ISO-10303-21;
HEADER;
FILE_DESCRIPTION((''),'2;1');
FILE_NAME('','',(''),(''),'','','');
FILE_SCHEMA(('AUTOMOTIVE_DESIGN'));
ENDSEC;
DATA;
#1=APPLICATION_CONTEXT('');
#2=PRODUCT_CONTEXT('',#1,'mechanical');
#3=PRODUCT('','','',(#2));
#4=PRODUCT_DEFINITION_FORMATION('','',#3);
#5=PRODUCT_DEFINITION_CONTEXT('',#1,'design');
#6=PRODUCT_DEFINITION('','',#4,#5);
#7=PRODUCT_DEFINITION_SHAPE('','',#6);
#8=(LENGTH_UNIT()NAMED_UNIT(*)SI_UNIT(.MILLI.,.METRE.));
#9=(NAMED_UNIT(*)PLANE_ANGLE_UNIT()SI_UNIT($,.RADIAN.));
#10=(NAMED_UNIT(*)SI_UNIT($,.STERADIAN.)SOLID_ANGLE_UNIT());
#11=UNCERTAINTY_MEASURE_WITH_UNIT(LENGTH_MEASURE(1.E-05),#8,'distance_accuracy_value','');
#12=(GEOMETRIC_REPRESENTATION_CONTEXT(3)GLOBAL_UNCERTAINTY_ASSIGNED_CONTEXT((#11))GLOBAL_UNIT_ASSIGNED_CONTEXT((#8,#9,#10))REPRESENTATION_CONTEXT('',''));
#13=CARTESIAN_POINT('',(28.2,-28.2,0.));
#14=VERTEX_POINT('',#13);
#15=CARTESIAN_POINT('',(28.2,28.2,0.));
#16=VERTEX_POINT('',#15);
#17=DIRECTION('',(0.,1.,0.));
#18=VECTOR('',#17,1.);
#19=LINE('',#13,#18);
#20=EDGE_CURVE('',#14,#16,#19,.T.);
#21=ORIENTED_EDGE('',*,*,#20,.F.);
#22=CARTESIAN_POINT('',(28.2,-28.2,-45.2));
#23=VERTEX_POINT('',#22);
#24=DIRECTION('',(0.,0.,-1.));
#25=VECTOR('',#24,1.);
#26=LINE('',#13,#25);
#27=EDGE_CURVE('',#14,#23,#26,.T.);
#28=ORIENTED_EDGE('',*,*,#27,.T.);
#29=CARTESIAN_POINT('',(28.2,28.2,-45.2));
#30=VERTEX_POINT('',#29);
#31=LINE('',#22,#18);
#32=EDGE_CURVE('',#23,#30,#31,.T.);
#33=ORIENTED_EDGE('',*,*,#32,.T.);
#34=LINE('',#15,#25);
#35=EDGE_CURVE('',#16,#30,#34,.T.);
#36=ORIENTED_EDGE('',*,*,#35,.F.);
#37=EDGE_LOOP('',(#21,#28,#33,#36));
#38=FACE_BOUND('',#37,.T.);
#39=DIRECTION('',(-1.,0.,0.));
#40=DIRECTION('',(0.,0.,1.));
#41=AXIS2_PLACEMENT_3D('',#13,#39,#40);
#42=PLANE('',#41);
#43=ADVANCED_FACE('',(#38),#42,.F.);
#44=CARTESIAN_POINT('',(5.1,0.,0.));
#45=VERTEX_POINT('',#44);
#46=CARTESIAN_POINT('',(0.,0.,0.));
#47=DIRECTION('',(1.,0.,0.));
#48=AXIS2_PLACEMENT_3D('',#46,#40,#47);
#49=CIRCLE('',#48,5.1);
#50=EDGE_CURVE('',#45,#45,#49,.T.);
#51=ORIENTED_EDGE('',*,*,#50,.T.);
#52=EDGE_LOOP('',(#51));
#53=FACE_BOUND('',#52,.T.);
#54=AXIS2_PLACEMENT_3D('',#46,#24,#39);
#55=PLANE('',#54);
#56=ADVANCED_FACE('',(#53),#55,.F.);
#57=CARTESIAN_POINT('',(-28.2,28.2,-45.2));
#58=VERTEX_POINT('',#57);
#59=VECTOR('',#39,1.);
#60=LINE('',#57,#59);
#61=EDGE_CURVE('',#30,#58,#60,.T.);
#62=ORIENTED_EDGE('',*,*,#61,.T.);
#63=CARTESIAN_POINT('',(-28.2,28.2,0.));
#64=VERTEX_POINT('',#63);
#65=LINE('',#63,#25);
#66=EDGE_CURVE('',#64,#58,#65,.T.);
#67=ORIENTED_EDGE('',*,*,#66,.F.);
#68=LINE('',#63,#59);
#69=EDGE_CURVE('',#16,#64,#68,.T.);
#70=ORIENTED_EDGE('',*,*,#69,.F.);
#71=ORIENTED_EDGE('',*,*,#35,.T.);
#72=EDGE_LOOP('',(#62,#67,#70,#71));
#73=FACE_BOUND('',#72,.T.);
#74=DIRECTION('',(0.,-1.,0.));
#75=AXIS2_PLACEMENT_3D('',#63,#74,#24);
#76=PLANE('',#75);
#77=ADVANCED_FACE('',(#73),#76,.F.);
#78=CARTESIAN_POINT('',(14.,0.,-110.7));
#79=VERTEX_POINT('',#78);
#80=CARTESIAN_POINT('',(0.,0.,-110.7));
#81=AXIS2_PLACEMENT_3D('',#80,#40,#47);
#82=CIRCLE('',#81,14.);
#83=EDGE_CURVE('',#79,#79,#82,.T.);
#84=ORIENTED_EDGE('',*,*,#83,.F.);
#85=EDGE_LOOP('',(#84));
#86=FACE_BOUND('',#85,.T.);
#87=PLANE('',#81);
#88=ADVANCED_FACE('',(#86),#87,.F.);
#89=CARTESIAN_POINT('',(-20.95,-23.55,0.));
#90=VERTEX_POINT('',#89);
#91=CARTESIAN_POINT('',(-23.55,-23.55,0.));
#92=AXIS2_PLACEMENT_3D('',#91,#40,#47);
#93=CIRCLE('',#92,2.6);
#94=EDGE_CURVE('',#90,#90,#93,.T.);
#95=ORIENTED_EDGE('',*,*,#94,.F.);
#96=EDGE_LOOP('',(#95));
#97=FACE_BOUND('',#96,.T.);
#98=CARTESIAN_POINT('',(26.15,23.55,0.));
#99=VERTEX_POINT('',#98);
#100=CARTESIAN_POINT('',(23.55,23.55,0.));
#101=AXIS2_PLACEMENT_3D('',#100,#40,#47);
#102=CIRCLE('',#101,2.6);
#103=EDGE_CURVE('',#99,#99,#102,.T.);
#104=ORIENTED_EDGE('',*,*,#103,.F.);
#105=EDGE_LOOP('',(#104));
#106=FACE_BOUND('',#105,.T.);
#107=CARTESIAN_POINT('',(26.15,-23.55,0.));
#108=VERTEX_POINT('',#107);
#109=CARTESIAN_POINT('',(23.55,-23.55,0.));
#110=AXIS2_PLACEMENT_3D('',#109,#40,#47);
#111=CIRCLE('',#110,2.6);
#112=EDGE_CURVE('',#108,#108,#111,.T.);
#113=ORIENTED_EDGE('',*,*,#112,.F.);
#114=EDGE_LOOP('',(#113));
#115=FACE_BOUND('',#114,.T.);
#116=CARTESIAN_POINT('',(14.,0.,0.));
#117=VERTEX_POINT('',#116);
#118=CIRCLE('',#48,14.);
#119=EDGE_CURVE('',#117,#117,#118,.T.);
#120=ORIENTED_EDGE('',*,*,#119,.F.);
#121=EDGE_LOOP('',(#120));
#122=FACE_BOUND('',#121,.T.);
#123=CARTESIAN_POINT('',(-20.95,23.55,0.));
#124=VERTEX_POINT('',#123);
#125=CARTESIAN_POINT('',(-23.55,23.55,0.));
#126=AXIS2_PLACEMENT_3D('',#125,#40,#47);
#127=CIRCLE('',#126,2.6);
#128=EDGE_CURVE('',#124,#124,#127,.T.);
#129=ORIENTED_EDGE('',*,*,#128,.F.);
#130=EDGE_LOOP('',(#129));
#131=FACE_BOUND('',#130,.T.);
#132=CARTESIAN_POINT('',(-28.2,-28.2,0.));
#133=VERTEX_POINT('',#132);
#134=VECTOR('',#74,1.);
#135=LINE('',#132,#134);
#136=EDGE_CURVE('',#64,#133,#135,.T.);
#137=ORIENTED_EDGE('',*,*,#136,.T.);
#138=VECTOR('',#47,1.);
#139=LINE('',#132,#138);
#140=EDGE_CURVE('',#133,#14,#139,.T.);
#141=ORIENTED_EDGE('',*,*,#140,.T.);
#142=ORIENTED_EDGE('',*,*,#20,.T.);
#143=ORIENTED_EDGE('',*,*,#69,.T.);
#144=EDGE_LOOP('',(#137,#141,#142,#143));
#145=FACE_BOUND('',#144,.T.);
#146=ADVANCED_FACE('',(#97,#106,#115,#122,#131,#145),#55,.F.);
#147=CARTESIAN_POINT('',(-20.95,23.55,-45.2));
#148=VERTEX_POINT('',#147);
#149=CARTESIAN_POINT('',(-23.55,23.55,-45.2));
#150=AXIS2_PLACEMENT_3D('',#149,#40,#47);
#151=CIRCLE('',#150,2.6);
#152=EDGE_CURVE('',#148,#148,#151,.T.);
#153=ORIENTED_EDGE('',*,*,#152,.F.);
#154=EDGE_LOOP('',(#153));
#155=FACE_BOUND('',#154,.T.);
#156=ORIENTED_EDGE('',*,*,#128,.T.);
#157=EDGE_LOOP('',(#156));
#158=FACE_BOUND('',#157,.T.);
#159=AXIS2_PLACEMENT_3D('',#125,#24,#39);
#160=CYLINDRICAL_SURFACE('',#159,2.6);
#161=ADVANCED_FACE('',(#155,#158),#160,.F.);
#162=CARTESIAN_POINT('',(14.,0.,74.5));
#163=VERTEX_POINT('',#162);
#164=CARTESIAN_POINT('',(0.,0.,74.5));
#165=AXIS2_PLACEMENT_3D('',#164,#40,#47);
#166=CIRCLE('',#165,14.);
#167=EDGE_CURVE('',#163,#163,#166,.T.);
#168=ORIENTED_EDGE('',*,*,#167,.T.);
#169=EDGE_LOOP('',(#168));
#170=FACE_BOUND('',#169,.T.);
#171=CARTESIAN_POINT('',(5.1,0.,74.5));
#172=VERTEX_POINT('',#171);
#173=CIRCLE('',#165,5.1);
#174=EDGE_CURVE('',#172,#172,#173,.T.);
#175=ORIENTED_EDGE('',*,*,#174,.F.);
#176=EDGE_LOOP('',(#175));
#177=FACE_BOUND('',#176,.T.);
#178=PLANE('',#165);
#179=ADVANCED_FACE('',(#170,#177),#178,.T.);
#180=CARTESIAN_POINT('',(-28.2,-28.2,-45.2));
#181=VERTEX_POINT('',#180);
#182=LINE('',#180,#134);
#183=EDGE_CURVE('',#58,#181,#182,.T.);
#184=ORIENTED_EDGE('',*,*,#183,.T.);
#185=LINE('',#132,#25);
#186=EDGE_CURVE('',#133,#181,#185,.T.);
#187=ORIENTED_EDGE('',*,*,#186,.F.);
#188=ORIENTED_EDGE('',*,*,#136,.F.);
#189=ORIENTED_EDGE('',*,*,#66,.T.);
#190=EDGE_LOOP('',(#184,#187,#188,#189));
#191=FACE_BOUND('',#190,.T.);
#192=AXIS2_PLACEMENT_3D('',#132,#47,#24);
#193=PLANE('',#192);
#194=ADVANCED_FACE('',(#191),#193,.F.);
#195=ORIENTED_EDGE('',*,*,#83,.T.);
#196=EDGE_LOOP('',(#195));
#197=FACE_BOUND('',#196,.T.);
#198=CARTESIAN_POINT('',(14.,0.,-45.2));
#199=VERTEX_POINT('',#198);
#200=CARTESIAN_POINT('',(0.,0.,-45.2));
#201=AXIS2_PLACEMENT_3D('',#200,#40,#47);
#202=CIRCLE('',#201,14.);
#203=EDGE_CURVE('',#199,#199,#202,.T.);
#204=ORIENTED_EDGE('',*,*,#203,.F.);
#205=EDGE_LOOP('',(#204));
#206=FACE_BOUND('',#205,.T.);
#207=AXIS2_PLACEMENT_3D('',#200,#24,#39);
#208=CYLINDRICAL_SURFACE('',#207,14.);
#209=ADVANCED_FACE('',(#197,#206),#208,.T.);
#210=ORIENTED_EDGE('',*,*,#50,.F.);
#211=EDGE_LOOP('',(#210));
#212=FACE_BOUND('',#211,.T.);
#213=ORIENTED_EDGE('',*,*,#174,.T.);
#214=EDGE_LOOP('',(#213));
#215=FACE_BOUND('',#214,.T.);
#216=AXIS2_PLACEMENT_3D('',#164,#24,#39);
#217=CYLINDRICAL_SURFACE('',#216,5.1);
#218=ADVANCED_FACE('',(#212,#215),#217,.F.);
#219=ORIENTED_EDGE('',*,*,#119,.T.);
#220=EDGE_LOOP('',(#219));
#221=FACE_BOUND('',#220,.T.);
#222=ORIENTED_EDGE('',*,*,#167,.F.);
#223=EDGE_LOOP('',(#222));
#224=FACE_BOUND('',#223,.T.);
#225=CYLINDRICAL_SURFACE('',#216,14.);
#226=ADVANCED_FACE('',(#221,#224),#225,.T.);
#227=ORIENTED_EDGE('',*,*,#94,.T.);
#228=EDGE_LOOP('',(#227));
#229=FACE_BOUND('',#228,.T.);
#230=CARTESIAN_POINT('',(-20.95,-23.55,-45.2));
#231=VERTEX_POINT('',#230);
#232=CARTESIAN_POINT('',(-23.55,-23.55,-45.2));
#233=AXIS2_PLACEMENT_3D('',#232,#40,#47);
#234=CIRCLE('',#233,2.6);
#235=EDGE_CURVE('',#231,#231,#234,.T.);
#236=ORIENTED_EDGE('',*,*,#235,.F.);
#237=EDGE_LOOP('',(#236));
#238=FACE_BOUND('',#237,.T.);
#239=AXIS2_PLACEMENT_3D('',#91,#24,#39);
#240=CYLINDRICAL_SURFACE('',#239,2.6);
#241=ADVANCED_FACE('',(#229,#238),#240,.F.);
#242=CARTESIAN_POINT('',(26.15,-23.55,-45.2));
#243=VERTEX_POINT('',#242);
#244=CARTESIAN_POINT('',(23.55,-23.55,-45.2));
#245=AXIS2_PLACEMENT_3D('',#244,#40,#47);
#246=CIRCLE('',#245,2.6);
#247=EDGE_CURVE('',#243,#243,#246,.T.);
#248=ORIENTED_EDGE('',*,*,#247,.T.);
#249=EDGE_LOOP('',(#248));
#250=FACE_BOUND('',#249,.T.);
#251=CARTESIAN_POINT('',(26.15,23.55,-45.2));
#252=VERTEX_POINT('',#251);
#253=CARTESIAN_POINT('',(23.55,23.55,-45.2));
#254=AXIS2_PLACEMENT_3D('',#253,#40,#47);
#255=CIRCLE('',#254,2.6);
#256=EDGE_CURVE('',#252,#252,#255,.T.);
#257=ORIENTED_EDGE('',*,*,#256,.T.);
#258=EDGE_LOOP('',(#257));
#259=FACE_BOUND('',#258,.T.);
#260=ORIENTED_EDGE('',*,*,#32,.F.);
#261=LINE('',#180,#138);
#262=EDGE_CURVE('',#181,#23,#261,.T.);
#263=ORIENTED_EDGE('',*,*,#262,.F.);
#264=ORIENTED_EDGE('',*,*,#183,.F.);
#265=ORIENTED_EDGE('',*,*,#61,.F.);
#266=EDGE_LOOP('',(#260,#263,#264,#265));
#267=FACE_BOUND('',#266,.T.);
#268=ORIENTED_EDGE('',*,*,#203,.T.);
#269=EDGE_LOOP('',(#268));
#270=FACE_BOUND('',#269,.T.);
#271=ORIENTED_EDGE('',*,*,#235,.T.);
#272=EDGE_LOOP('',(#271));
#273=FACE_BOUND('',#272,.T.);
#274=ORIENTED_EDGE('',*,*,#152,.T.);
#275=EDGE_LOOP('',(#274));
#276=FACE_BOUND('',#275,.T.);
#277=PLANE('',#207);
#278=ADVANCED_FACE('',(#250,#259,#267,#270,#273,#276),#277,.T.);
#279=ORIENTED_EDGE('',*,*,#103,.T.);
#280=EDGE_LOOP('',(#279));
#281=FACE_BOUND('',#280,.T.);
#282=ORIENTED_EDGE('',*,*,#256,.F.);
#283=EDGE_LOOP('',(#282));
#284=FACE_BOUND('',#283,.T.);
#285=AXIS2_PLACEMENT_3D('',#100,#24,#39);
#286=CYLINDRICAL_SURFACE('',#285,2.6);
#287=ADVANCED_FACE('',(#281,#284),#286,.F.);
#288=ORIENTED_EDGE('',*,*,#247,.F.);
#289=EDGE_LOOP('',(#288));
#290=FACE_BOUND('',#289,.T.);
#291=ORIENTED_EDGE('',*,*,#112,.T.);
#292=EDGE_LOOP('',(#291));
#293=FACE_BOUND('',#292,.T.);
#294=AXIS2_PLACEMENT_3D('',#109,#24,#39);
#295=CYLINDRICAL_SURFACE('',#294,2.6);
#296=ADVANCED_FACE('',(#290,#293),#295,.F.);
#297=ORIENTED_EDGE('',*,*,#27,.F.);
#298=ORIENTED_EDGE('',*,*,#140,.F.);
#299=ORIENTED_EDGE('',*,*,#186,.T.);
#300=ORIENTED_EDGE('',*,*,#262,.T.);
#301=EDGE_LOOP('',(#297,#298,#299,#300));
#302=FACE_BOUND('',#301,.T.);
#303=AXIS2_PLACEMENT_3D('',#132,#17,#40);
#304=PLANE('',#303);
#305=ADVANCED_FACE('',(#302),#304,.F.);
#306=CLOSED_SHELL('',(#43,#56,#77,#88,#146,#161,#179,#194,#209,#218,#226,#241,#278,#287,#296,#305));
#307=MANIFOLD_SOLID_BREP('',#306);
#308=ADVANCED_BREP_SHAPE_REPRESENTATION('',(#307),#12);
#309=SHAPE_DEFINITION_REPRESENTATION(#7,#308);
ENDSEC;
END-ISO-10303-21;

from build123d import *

# Parameters (mm, degrees)
NA23_MOTOR_ENVELOPE_START         = -45.2
SKETCH1_W                         = 56.4
SKETCH1_H                         = 56.4
SKETCH1_R                         = 2.6
NA23_MOTOR_ENVELOPE_DEPTH         = 45.2
REAR_BARREL_ENVELOPE_START        = -110.7
SKETCH2_R                         = 14
REAR_BARREL_ENVELOPE_DEPTH        = 65.5
SKETCH3_R                         = 14
SKETCH3_R_2                       = 5.1
FIXED_FRONT_BARREL_ENVELOPE_DEPTH = 74.5


with BuildPart() as part:
    # Sketch1 → NA23_Motor_Envelope (new body)
    with BuildSketch(Plane.XY.offset(NA23_MOTOR_ENVELOPE_START)):
        Rectangle(SKETCH1_W, SKETCH1_H)
        with Locations((-23.55, -23.55)):
            Circle(SKETCH1_R, mode=Mode.SUBTRACT)
        with Locations((-23.55, 23.55)):
            Circle(SKETCH1_R, mode=Mode.SUBTRACT)
        with Locations((23.55, -23.55)):
            Circle(SKETCH1_R, mode=Mode.SUBTRACT)
        with Locations((23.55, 23.55)):
            Circle(SKETCH1_R, mode=Mode.SUBTRACT)
    extrude(amount=NA23_MOTOR_ENVELOPE_DEPTH)

    # Sketch2 → Rear_Barrel_Envelope (add)
    with BuildSketch(Plane.XY.offset(REAR_BARREL_ENVELOPE_START)):
        Circle(SKETCH2_R)
    extrude(amount=REAR_BARREL_ENVELOPE_DEPTH)

    # Sketch3 → Fixed_Front_Barrel_Envelope (add)
    with BuildSketch(Plane.XY):
        Circle(SKETCH3_R)
        Circle(SKETCH3_R_2, mode=Mode.SUBTRACT)
    extrude(amount=FIXED_FRONT_BARREL_ENVELOPE_DEPTH)


solid = part.part
